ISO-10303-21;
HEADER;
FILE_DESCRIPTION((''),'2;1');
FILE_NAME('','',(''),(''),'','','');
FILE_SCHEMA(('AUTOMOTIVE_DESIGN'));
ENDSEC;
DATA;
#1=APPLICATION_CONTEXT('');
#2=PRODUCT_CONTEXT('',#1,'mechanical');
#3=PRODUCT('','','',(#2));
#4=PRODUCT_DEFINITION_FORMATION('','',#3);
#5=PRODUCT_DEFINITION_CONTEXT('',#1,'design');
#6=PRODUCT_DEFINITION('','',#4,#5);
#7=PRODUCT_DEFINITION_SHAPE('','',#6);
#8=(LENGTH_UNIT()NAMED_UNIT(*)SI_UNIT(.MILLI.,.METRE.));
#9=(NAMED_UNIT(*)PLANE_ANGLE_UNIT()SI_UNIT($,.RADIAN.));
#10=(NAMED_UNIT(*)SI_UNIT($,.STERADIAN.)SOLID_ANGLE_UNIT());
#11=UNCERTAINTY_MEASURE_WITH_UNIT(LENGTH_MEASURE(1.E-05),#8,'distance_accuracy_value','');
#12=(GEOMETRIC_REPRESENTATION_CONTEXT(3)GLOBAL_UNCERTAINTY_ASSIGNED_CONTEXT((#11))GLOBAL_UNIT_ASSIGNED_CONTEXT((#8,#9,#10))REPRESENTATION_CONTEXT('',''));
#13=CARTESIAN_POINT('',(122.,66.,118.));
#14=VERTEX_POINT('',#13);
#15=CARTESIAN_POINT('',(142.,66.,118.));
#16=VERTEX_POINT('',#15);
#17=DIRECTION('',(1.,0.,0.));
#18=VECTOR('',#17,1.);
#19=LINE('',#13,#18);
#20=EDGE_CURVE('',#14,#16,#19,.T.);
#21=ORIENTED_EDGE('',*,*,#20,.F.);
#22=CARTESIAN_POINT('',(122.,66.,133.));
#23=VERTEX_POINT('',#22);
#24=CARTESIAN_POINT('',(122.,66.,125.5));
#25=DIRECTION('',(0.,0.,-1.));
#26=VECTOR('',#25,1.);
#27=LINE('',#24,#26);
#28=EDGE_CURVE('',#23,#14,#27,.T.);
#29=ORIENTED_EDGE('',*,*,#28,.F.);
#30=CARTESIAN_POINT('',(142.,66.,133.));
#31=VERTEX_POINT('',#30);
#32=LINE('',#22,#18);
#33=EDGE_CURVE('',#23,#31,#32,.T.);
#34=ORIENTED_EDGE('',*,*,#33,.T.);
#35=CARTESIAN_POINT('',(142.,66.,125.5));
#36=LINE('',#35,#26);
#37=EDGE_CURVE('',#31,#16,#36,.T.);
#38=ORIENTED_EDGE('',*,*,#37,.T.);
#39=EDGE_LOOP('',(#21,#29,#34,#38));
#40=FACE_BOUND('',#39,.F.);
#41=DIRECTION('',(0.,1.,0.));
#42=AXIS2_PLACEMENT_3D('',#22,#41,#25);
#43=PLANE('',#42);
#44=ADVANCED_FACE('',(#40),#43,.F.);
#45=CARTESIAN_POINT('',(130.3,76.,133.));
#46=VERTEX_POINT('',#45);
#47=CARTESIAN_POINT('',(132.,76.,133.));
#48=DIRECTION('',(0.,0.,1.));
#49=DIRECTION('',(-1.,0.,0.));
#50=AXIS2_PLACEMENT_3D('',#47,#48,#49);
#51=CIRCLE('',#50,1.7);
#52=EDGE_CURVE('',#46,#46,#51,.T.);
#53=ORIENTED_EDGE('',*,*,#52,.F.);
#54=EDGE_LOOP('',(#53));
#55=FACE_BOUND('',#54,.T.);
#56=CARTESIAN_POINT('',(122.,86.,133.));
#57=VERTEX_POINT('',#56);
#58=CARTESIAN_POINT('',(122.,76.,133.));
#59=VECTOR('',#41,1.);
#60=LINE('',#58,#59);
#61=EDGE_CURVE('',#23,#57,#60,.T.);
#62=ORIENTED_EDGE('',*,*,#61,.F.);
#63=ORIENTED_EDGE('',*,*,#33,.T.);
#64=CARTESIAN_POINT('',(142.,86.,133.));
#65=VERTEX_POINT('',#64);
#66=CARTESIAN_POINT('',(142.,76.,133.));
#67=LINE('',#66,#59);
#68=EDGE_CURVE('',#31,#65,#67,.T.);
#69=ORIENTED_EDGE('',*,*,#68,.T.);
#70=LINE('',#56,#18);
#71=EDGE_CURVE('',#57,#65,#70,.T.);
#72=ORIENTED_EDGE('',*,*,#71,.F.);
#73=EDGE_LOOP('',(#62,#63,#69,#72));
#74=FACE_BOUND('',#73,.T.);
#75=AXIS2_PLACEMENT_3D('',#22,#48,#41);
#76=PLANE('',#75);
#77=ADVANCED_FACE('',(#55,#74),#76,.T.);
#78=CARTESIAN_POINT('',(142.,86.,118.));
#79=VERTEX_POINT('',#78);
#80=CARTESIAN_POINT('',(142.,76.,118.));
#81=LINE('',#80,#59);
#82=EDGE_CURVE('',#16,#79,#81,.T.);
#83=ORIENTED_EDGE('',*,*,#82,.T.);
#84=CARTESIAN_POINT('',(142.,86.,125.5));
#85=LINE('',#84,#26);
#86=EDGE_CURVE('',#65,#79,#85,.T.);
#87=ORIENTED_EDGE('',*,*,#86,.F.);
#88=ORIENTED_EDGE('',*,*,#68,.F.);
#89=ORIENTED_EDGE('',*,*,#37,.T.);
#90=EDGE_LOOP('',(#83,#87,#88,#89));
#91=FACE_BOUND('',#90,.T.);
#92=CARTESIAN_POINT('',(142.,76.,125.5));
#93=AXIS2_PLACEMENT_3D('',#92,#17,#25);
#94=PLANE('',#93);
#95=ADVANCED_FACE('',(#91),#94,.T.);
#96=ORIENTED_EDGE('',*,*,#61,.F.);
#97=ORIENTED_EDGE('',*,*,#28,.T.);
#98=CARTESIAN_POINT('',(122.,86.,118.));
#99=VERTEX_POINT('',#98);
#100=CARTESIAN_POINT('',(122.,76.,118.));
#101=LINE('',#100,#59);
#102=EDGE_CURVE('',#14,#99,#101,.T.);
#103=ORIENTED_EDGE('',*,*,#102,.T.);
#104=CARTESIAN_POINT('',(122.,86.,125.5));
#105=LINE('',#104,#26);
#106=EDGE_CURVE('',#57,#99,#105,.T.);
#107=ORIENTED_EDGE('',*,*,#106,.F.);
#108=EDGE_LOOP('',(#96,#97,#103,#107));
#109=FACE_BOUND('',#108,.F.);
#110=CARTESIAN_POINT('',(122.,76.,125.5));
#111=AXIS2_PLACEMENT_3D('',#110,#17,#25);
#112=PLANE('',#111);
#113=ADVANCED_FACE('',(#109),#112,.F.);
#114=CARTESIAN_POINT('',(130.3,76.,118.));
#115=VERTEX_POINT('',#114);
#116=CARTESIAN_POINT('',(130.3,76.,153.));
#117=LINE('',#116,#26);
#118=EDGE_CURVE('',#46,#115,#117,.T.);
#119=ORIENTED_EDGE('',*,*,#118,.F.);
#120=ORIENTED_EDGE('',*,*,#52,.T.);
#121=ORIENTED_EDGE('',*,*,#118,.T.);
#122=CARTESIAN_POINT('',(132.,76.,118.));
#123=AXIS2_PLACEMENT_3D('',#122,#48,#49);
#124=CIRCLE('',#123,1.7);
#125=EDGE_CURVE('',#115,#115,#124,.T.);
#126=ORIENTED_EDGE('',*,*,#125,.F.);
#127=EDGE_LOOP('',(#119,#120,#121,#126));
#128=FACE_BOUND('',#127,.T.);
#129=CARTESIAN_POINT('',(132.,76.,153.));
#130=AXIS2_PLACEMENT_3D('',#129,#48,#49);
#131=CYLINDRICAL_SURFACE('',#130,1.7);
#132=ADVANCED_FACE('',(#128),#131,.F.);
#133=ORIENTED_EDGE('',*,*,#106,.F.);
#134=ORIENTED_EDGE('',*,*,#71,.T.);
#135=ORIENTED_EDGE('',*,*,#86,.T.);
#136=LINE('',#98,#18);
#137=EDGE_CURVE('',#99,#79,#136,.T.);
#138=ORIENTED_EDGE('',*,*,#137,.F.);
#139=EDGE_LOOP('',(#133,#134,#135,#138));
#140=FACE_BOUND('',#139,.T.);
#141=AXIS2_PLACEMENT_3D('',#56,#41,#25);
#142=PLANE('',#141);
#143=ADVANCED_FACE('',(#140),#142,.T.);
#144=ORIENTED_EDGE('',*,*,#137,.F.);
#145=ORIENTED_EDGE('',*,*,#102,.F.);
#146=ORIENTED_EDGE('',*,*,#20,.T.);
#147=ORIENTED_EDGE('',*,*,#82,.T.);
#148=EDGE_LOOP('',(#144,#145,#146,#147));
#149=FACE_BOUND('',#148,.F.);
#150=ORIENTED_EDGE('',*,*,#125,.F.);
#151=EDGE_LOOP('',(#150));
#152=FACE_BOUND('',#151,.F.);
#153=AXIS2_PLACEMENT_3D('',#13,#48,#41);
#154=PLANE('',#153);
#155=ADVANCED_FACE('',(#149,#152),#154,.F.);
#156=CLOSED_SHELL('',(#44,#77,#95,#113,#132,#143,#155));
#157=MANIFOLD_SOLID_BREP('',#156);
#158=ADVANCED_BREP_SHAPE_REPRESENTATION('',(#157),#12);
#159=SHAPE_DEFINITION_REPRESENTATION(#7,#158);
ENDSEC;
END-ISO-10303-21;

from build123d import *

# Parameters (mm, degrees)
CYLINDER051_R               = 1.7
CYLINDER051_DEPTH           = 80
CYLINDER051_PITCH_ANGLE     = 90
BOX012_W                    = 15
BOX012_H                    = 20
BOX012_DEPTH                = 20
CUT010035003034_PITCH_ANGLE = 90


with BuildPart() as taladro_tornillo011:
    # Cylinder051 → Cylinder051 (new body)
    with BuildSketch(Plane.XY):
        Circle(CYLINDER051_R)
    extrude(amount=CYLINDER051_DEPTH)


with BuildPart() as taladro_tornillo011_1:
    # Cylinder051 pitch: moved
    add(taladro_tornillo011.part.rotate(Axis((0, 0, 0), (0, 1, 0)), CYLINDER051_PITCH_ANGLE))


with BuildPart() as taladro_tornillo011_2:
    # Cylinder051 placement: moved
    add(taladro_tornillo011_1.part.moved(Location((-20, 10, 10))))


with BuildPart() as cut010035003034:
    # Box012 → Box012 (new body)
    with BuildSketch(Plane.XY):
        with Locations((7.5, 10)):
            Rectangle(BOX012_W, BOX012_H)
    extrude(amount=BOX012_DEPTH)

    # Cut010035003034: cut Taladro tornillo011
    add(taladro_tornillo011_2.part, mode=Mode.SUBTRACT)


with BuildPart() as cut010035003034_1:
    # Cut010035003034 pitch: moved
    add(cut010035003034.part.rotate(Axis((0, 0, 0), (0, 1, 0)), CUT010035003034_PITCH_ANGLE))


with BuildPart() as cut010035003034_2:
    # Cut010035003034 placement: moved
    add(cut010035003034_1.part.moved(Location((122, 66, 133))))


solid = cut010035003034_2.part
